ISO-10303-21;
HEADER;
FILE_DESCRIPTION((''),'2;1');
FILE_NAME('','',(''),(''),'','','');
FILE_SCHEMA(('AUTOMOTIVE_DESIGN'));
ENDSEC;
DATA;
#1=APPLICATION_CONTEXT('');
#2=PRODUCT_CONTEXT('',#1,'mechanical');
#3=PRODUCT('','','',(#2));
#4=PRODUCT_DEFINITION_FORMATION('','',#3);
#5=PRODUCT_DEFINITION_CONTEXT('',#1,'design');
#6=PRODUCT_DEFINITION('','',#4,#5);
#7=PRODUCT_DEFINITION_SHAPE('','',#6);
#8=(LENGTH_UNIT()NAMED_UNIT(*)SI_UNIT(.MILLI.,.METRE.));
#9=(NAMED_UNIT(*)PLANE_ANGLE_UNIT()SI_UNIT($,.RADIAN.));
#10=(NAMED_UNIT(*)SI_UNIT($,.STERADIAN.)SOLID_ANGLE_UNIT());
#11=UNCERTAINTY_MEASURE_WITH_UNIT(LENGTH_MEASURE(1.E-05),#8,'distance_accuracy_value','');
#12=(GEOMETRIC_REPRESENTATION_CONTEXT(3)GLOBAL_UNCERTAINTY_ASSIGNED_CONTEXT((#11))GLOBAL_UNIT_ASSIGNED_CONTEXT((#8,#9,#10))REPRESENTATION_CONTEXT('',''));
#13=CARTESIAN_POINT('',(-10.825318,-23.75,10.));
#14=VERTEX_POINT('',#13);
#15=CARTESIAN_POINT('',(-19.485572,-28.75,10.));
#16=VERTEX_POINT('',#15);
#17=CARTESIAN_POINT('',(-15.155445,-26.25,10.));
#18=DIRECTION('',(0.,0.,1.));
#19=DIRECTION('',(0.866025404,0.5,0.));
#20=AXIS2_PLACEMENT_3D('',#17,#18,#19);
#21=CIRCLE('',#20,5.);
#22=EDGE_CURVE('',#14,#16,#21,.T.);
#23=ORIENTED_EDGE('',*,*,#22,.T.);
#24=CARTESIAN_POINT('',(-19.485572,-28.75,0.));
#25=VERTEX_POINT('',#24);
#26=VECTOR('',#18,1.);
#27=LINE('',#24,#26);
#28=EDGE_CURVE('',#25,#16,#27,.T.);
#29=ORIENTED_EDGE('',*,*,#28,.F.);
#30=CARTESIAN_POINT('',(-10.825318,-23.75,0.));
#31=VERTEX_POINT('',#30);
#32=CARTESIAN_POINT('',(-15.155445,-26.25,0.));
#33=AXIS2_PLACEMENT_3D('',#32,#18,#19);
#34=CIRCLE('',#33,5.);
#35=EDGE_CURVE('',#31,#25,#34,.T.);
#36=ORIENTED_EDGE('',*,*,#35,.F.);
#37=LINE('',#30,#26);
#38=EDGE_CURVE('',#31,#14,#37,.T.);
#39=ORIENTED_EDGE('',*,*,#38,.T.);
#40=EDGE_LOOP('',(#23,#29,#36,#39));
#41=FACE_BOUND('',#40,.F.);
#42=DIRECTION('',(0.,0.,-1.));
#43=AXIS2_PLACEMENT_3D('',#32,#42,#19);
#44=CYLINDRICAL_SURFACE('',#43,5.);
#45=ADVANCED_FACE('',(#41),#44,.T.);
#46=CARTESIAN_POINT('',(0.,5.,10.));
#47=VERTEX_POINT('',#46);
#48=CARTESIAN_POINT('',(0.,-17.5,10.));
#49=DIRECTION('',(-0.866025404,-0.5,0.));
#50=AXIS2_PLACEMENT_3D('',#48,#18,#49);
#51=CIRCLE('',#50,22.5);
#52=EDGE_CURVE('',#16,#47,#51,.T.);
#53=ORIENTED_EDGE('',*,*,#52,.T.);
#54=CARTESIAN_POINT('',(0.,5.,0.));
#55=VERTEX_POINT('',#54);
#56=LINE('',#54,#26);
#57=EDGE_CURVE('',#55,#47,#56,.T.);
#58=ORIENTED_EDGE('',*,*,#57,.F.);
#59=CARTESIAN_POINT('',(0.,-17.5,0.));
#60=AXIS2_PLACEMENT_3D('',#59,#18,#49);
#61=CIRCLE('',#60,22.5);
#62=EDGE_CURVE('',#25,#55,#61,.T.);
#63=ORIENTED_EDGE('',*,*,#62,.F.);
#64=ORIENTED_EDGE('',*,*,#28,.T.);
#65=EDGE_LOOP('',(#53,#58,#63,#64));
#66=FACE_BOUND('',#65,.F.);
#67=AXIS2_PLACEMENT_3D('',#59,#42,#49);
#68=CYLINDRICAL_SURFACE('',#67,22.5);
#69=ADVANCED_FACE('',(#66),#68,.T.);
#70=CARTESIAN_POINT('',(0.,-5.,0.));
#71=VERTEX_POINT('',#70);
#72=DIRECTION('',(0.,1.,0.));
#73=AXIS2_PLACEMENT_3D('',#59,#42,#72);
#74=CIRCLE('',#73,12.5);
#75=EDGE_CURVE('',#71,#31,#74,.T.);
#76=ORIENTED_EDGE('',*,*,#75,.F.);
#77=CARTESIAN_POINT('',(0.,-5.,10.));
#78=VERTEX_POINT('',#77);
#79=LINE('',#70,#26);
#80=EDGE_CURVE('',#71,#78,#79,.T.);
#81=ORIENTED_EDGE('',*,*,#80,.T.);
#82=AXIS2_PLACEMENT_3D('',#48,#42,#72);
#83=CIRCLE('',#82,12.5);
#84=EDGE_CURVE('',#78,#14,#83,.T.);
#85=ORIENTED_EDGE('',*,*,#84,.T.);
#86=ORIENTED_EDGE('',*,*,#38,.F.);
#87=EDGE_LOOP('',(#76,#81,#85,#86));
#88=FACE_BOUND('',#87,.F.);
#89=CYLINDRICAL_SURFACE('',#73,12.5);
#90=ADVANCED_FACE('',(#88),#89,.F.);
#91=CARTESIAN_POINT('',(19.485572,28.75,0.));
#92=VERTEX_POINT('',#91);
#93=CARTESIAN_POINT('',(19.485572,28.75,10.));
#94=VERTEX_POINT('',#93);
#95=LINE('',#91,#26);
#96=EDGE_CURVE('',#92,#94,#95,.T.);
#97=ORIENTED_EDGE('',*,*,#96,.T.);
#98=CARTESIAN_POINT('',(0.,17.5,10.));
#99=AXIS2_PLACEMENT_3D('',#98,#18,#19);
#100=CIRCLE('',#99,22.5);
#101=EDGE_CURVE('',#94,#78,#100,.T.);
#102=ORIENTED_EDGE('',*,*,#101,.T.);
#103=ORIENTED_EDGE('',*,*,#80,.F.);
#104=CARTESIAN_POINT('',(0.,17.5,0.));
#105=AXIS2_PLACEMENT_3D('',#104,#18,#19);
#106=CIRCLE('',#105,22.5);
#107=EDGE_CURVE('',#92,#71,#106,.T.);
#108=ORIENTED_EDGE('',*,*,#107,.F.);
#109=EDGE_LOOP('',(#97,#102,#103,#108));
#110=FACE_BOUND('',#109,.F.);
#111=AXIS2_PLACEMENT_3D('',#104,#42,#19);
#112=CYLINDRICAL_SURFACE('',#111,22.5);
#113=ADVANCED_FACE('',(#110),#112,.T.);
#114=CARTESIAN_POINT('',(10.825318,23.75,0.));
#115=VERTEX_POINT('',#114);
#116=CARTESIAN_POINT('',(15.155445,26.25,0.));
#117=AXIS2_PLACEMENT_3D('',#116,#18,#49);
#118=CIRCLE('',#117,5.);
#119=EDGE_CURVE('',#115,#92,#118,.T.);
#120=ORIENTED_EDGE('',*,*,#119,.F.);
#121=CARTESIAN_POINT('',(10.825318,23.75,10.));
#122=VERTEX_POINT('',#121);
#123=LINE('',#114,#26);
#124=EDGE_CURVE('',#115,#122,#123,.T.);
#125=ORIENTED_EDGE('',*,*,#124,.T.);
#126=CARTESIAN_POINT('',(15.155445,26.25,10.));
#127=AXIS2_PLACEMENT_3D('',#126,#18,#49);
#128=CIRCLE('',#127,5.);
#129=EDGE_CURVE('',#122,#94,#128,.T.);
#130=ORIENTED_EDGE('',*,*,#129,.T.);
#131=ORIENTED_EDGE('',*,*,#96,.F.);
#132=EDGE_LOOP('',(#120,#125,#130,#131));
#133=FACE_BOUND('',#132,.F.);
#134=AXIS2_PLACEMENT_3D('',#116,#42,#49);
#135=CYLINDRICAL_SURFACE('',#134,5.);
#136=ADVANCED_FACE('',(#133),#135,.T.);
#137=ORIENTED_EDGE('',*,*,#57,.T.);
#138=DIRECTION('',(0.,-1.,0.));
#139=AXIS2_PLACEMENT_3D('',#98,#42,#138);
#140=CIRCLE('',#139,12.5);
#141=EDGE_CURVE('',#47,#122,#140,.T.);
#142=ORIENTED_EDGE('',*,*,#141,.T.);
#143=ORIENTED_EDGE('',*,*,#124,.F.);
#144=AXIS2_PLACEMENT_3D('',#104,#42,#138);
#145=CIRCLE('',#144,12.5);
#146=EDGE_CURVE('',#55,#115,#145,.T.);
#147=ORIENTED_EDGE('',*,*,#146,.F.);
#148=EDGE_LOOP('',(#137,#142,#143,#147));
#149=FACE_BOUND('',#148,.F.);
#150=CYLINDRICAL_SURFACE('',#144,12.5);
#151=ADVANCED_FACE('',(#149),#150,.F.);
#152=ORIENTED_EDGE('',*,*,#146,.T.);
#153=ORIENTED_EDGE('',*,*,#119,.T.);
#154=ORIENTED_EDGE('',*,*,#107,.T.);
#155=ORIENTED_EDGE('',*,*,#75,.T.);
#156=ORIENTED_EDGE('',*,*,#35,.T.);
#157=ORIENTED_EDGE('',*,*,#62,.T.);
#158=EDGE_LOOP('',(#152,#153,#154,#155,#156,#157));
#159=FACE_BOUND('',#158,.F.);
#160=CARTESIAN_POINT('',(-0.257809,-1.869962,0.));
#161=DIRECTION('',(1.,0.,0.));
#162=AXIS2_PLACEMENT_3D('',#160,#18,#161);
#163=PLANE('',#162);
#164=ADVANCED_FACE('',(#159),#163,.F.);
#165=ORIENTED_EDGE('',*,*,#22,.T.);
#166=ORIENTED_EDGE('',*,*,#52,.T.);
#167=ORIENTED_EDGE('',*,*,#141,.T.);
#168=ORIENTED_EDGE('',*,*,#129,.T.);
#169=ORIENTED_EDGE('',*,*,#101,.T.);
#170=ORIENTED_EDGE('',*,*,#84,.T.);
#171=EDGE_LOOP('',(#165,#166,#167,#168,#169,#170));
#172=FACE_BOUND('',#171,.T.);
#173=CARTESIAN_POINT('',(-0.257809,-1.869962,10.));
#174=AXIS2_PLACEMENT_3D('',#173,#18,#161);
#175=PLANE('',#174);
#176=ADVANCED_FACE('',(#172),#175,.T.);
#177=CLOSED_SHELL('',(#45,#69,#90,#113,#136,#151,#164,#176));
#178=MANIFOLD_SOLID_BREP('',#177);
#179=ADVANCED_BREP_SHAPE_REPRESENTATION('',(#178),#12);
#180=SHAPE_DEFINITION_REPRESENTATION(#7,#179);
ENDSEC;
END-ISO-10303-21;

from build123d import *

# Parameters (mm, degrees)
F1_DEPTH = 10


with BuildPart() as f1:
    # F0 (on Top) → F1 (new body)
    with BuildSketch(Plane.XY):
        with BuildLine():
            ThreePointArc((4.9487165931, -0.7142857143), (2.5, -0.1794919243), (0, 0))
            ThreePointArc((0, 0), (-2.5, 0.1794919243), (-4.9487165931, 0.7142857143))
            ThreePointArc((-4.9487165931, 0.7142857143), (-3.7796447301, -3.2732683535), (0, -5))
            ThreePointArc((0, -5), (3.2732683535, -3.7796447301), (4.9487165931, -0.7142857143))
        make_face()
        with BuildLine():
            ThreePointArc((-4.9487165931, 0.7142857143), (-2.5, 0.1794919243), (0, 0))
            ThreePointArc((0, 0), (2.5, -0.1794919243), (4.9487165931, -0.7142857143))
            ThreePointArc((4.9487165931, -0.7142857143), (3.7796447301, 3.2732683535), (0, 5))
            ThreePointArc((0, 5), (-3.2732683535, 3.7796447301), (-4.9487165931, 0.7142857143))
        make_face()
        with BuildLine():
            ThreePointArc((0, -5), (-3.7796447301, -3.2732683535), (-4.9487165931, 0.7142857143))
            ThreePointArc((-4.9487165931, 0.7142857143), (-3.2732683535, 3.7796447301), (0, 5))
            ThreePointArc((0, 5), (-10.8253175473, 23.75), (10.8253175473, 23.75))
            ThreePointArc((10.8253175473, 23.75), (17.6554445662, 21.9198729811), (19.4855715851, 28.75))
            ThreePointArc((19.4855715851, 28.75), (-19.4855715851, 28.75), (0, -5))
        make_face()
        with BuildLine():
            ThreePointArc((0, 5), (3.7796447301, 3.2732683535), (4.9487165931, -0.7142857143))
            ThreePointArc((4.9487165931, -0.7142857143), (3.2732683535, -3.7796447301), (0, -5))
            ThreePointArc((0, -5), (10.8253175473, -23.75), (-10.8253175473, -23.75))
            ThreePointArc((-10.8253175473, -23.75), (-17.6554445662, -21.9198729811), (-19.4855715851, -28.75))
            ThreePointArc((-19.4855715851, -28.75), (19.4855715851, -28.75), (0, 5))
        make_face()
    extrude(amount=F1_DEPTH)


solid = f1.part
